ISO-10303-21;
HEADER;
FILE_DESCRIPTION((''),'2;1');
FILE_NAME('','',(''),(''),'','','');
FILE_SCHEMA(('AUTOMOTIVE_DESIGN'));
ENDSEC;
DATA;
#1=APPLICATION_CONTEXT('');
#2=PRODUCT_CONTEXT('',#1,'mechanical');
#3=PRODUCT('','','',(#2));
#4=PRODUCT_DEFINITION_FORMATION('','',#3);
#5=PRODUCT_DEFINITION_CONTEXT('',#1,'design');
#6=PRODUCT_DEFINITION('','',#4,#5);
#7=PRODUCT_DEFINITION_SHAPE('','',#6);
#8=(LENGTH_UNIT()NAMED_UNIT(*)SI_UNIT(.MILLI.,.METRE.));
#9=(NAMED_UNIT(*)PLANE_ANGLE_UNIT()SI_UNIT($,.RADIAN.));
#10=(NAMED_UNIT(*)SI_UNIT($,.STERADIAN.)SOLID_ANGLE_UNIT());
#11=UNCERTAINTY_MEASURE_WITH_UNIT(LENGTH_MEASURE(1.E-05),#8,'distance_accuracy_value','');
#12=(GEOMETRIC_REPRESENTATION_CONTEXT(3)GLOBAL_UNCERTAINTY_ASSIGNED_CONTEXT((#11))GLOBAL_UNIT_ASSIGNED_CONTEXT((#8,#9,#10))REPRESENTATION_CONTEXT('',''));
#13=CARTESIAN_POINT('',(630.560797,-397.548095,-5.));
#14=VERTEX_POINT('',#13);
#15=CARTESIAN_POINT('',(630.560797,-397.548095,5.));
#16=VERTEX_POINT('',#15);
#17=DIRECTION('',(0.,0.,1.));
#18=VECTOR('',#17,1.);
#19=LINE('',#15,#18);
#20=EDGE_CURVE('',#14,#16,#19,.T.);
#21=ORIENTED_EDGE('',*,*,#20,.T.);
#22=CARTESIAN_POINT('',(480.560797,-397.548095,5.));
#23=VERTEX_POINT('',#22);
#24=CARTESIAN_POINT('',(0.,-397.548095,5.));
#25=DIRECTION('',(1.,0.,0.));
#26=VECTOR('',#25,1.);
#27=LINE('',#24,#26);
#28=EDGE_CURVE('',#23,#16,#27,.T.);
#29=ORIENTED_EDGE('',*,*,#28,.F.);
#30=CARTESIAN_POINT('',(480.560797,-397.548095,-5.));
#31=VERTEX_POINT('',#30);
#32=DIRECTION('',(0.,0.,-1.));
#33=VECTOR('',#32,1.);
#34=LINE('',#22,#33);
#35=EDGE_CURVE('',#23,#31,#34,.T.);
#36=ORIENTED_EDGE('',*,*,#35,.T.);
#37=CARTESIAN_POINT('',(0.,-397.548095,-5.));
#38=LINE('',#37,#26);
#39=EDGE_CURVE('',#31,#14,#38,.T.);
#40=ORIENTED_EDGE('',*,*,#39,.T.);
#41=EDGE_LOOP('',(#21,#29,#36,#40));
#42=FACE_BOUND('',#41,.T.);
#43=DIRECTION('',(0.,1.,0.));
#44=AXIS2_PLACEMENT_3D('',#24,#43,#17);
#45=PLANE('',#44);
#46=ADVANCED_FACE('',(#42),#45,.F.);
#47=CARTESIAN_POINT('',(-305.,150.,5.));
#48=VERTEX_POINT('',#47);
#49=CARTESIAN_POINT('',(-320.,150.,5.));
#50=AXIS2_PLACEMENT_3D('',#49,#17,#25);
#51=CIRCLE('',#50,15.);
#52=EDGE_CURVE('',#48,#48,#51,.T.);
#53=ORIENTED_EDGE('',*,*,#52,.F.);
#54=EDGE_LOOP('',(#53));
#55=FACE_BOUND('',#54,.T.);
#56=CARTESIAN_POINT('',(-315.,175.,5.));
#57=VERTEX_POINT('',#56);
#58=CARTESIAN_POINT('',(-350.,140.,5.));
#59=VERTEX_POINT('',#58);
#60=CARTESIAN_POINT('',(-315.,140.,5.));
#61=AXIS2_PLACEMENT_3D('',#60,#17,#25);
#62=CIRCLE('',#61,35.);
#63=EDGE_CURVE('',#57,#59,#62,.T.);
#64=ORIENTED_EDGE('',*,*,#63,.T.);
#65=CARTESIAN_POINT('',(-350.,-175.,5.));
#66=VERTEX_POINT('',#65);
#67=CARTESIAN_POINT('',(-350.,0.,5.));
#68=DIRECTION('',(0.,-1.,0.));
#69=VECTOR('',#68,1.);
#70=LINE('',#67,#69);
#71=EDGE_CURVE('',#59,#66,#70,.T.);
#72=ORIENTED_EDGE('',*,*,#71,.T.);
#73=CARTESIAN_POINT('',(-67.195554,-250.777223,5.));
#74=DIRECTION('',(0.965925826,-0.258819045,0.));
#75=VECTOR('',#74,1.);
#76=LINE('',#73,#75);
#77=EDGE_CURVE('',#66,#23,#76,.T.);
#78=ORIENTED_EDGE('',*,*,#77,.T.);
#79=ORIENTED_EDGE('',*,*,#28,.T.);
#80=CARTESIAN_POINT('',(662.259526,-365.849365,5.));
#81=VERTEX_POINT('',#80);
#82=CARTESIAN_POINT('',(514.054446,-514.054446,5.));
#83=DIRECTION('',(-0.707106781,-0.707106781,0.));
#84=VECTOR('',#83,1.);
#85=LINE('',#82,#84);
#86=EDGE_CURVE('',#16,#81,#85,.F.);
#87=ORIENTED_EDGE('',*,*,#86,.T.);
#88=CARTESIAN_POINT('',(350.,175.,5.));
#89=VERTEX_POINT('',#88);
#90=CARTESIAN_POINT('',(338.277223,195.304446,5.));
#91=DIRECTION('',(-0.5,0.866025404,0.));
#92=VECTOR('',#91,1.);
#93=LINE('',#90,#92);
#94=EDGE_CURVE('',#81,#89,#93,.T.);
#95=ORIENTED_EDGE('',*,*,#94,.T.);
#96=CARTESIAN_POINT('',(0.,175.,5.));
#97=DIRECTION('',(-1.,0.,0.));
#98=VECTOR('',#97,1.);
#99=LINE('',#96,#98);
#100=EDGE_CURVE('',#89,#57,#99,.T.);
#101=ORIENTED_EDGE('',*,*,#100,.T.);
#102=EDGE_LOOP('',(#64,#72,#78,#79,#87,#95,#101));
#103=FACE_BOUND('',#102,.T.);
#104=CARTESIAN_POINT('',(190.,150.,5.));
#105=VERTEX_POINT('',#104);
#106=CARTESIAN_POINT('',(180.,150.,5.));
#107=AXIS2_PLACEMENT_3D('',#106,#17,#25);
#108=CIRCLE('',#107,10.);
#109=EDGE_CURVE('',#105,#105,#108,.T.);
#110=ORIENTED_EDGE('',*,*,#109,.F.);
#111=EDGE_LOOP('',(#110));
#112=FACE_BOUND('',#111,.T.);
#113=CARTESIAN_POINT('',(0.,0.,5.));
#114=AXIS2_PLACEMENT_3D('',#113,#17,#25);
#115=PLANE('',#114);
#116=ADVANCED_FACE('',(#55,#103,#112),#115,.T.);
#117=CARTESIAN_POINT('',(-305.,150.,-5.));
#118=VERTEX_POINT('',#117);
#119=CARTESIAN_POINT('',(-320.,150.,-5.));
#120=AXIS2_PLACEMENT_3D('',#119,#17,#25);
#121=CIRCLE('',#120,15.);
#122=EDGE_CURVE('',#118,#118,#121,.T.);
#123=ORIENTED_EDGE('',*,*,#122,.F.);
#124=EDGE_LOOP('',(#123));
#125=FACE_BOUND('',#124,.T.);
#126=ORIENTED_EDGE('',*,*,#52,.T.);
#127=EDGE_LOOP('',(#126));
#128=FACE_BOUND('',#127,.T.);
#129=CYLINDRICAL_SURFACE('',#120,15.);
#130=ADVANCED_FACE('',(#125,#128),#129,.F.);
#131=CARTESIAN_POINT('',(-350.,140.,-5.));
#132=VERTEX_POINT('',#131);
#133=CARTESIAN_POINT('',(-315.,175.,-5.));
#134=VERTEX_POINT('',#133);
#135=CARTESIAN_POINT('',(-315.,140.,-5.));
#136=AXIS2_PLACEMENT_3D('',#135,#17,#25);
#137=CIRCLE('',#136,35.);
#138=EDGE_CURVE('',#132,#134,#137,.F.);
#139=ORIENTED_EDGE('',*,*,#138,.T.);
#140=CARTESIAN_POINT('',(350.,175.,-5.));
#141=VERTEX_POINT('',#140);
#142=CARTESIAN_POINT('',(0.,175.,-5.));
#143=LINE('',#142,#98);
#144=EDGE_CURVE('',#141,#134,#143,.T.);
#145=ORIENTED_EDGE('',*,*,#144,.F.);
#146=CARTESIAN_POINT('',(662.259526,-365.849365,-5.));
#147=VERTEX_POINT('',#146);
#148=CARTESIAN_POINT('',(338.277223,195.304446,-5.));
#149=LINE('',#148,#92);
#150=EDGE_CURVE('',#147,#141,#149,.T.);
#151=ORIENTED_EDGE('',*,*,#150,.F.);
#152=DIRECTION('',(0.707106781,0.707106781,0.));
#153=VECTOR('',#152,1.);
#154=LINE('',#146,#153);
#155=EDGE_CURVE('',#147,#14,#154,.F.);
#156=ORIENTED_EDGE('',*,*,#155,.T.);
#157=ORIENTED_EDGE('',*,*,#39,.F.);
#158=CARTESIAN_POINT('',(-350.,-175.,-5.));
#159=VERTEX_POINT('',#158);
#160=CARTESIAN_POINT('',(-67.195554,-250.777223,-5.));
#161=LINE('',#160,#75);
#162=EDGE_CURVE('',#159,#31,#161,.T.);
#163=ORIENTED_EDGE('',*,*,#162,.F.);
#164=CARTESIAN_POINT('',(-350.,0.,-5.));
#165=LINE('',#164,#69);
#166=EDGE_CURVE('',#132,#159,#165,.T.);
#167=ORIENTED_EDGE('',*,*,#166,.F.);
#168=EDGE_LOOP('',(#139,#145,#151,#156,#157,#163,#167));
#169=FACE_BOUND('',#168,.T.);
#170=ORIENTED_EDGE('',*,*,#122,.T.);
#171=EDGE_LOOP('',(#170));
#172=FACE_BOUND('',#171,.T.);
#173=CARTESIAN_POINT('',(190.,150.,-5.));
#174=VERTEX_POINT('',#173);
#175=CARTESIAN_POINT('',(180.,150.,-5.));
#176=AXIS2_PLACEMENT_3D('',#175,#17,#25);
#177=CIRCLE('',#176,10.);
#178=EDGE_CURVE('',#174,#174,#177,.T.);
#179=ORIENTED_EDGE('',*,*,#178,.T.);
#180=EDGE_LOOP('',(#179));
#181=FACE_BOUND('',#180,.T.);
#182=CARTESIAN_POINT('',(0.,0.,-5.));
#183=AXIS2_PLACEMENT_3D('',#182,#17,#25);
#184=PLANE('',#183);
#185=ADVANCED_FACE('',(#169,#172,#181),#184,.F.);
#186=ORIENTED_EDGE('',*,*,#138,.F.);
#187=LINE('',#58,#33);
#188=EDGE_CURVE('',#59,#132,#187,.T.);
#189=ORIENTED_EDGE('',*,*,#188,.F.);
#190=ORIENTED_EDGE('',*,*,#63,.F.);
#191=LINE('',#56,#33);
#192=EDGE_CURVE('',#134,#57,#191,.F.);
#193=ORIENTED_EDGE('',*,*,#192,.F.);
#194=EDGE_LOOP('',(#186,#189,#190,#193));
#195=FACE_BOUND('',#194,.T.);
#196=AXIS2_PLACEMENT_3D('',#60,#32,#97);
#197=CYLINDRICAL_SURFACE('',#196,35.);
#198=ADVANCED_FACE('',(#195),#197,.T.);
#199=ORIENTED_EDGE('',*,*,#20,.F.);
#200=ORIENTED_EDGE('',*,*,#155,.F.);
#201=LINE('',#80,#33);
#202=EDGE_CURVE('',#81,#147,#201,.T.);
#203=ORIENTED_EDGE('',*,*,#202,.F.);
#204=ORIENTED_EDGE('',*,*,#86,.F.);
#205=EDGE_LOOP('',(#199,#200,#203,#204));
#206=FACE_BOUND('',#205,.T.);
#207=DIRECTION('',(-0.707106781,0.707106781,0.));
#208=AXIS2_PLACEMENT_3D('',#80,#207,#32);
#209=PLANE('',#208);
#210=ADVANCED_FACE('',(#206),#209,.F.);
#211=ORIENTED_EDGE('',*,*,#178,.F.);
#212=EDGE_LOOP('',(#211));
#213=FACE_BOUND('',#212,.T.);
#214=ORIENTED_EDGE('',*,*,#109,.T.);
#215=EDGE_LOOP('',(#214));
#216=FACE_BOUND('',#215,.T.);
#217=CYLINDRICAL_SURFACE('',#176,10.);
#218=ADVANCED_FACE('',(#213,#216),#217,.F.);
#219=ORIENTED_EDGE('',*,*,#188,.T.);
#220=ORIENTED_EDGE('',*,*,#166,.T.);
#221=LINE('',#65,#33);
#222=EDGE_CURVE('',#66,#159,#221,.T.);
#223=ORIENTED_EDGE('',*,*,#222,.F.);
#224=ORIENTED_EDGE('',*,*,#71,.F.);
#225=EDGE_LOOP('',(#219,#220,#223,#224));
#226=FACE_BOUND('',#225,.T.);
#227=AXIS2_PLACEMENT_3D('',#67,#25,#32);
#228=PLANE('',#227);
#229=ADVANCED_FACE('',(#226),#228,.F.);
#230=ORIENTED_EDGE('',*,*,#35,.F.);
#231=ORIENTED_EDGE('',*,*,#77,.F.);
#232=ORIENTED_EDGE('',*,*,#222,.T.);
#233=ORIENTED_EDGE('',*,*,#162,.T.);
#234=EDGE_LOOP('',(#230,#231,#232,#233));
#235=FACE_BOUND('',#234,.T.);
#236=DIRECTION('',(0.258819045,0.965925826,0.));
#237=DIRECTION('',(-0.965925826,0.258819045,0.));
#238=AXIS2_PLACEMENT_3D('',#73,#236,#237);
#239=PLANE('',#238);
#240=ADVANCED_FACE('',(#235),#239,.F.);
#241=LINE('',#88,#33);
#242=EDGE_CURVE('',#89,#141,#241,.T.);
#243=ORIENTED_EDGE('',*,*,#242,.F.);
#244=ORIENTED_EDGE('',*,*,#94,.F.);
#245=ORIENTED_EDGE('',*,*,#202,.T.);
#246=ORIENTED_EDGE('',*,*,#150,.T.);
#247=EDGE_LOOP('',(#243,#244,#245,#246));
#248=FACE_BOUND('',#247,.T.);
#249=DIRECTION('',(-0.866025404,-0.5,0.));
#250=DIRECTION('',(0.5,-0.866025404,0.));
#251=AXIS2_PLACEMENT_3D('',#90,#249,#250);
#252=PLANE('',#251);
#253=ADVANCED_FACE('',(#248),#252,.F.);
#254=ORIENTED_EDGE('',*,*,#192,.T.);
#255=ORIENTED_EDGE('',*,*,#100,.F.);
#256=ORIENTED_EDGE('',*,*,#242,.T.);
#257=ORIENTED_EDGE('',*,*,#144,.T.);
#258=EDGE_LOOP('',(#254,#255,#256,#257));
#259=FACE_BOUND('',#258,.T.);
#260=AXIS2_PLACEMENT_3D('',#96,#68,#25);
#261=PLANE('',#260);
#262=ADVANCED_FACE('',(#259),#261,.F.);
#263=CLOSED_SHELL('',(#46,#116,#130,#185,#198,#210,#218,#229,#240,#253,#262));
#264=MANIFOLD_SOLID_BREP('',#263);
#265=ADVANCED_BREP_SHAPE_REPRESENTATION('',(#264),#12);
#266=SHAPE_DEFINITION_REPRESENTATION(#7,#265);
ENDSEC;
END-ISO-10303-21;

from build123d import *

# Parameters (mm, degrees)
SKETCH1_W           = 700
SKETCH1_H           = 350
BOSS_EXTRUDE2_DEPTH = 5
SKETCH2_R           = 15
SKETCH2_R_2         = 10
CUT_EXTRUDE1_DEPTH  = 10
FILLET1_R           = 35
CHAMFER1_SIZE       = 50
CHAMFER1_SIZE2      = 36.602540378


with BuildPart() as part:
    # Sketch1 → Boss-Extrude2 (new, symmetric)
    with BuildSketch(Plane.XY):
        Polygon((350, -175), (-350, -175), (480.560796608, -397.548094716), (680.560796608, -397.548094716), (350, 175), align=None)
        Rectangle(SKETCH1_W, SKETCH1_H)
    extrude(amount=BOSS_EXTRUDE2_DEPTH, both=True)

    # Sketch2 → Cut-Extrude1 (cut)
    with BuildSketch(Plane.XY.offset(5)):
        with Locations((-320, 150)):
            Circle(SKETCH2_R)
        with Locations((180, 150)):
            Circle(SKETCH2_R_2)
    extrude(amount=-CUT_EXTRUDE1_DEPTH, mode=Mode.SUBTRACT)

    # Fillet1
    fillet1_edges = [part.edges().sort_by_distance(p)[0] for p in [
        (-350, 175, 0),
    ]]
    fillet(fillet1_edges, radius=FILLET1_R)

    # Chamfer1
    chamfer1_edges = [part.edges().sort_by_distance(p)[0] for p in [
        (680.560796608, -397.548094716, 0),
    ]]
    chamfer1_side = [part.faces().sort_by_distance(p)[0] for p in [
        (580.560796608, -397.548094716, 0),
    ]]
    chamfer(chamfer1_edges, length=CHAMFER1_SIZE, length2=CHAMFER1_SIZE2, reference=chamfer1_side[0])


solid = part.part
